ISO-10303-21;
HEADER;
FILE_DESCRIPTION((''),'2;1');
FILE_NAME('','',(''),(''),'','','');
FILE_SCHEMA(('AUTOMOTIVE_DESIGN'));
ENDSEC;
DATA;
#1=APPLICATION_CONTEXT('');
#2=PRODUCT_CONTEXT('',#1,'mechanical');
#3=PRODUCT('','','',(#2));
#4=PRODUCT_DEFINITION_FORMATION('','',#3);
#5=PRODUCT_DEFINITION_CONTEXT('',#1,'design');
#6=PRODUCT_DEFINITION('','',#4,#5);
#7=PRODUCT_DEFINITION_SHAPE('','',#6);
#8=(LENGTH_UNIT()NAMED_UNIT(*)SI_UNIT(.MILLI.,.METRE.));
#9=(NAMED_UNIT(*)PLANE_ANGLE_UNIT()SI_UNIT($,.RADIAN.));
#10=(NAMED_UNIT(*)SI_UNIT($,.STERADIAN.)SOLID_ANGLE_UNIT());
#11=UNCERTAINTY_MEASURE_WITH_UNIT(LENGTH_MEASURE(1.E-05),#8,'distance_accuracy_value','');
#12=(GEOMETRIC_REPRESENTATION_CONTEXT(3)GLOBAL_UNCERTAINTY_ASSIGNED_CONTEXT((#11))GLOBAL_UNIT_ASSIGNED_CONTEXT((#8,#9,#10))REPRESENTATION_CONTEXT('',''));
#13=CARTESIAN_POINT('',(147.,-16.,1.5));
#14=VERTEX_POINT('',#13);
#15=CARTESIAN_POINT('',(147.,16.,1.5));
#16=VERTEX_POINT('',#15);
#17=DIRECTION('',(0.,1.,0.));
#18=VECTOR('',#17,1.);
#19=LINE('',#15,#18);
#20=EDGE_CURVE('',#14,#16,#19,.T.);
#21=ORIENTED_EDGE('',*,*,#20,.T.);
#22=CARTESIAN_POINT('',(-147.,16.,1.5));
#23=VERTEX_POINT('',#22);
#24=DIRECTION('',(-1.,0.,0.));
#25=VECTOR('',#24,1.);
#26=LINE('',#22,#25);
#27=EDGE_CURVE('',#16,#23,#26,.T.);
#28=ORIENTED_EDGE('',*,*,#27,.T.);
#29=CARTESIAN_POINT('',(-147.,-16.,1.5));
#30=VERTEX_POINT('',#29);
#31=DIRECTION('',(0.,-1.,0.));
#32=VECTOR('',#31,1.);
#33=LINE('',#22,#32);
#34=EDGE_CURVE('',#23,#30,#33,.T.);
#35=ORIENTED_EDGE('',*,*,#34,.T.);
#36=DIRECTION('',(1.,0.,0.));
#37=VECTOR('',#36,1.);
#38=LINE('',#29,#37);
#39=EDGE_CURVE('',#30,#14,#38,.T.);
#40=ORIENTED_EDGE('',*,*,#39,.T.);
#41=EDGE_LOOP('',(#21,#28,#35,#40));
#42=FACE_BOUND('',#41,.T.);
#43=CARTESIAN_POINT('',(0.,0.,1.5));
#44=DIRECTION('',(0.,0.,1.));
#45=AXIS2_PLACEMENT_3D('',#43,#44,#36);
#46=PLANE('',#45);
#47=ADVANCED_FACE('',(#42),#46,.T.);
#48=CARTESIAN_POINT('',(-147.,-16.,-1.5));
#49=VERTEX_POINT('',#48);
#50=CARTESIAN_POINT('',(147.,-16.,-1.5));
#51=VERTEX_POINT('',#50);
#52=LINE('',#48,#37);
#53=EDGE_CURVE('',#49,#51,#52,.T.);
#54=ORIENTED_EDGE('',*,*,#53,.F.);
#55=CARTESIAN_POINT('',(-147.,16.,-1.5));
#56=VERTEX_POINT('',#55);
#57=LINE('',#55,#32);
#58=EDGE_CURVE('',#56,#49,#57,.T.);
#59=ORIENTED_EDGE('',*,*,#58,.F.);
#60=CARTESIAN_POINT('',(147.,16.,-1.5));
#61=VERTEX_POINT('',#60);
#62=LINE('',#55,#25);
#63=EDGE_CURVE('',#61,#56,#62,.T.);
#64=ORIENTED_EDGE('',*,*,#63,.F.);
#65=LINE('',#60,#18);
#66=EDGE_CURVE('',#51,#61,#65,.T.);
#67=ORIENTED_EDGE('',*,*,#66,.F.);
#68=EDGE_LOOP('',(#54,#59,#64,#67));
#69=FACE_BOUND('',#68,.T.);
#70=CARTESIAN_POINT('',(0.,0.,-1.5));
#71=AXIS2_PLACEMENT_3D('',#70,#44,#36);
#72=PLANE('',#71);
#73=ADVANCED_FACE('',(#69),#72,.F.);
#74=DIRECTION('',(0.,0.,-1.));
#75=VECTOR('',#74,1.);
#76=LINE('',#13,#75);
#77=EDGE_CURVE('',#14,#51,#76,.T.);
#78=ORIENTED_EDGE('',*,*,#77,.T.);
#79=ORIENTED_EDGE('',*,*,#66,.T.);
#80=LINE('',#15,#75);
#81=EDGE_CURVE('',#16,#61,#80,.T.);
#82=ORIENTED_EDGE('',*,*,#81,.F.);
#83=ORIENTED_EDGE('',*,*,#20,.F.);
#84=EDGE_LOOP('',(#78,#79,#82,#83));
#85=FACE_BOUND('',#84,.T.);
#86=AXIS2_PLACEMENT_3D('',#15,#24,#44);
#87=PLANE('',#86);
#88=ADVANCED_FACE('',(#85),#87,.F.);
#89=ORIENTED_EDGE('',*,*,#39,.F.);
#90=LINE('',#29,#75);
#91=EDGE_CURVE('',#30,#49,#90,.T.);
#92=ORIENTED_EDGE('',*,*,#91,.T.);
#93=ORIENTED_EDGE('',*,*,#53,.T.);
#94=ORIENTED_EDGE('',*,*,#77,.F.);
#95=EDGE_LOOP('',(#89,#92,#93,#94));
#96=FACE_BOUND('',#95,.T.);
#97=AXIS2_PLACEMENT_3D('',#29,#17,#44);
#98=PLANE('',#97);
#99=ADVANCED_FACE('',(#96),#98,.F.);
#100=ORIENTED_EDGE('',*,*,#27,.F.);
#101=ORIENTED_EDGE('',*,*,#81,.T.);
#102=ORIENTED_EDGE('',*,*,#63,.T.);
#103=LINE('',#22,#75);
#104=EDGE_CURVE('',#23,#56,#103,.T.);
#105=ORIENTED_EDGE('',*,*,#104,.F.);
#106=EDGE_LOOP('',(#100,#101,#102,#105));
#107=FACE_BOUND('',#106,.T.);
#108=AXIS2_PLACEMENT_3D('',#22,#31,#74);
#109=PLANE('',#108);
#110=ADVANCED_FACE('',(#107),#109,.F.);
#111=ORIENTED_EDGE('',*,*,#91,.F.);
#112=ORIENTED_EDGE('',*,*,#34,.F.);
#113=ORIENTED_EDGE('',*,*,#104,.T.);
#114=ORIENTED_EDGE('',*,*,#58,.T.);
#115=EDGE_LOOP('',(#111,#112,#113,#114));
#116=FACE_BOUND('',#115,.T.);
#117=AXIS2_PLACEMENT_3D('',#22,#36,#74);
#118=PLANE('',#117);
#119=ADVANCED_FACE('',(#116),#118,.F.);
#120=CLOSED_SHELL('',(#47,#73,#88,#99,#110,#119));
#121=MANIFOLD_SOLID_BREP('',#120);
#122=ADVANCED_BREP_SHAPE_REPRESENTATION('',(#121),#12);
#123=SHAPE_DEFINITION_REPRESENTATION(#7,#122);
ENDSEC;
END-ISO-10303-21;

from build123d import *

# Parameters (mm, degrees)
SKETCH_1_W      = 294
SKETCH_1_H      = 32
EXTRUDE_1_DEPTH = 1.5


with BuildPart() as part:
    # 草图1 → 凸台-拉伸1 (new, symmetric)
    with BuildSketch(Plane.XY):
        Rectangle(SKETCH_1_W, SKETCH_1_H)
    extrude(amount=EXTRUDE_1_DEPTH, both=True)


solid = part.part
